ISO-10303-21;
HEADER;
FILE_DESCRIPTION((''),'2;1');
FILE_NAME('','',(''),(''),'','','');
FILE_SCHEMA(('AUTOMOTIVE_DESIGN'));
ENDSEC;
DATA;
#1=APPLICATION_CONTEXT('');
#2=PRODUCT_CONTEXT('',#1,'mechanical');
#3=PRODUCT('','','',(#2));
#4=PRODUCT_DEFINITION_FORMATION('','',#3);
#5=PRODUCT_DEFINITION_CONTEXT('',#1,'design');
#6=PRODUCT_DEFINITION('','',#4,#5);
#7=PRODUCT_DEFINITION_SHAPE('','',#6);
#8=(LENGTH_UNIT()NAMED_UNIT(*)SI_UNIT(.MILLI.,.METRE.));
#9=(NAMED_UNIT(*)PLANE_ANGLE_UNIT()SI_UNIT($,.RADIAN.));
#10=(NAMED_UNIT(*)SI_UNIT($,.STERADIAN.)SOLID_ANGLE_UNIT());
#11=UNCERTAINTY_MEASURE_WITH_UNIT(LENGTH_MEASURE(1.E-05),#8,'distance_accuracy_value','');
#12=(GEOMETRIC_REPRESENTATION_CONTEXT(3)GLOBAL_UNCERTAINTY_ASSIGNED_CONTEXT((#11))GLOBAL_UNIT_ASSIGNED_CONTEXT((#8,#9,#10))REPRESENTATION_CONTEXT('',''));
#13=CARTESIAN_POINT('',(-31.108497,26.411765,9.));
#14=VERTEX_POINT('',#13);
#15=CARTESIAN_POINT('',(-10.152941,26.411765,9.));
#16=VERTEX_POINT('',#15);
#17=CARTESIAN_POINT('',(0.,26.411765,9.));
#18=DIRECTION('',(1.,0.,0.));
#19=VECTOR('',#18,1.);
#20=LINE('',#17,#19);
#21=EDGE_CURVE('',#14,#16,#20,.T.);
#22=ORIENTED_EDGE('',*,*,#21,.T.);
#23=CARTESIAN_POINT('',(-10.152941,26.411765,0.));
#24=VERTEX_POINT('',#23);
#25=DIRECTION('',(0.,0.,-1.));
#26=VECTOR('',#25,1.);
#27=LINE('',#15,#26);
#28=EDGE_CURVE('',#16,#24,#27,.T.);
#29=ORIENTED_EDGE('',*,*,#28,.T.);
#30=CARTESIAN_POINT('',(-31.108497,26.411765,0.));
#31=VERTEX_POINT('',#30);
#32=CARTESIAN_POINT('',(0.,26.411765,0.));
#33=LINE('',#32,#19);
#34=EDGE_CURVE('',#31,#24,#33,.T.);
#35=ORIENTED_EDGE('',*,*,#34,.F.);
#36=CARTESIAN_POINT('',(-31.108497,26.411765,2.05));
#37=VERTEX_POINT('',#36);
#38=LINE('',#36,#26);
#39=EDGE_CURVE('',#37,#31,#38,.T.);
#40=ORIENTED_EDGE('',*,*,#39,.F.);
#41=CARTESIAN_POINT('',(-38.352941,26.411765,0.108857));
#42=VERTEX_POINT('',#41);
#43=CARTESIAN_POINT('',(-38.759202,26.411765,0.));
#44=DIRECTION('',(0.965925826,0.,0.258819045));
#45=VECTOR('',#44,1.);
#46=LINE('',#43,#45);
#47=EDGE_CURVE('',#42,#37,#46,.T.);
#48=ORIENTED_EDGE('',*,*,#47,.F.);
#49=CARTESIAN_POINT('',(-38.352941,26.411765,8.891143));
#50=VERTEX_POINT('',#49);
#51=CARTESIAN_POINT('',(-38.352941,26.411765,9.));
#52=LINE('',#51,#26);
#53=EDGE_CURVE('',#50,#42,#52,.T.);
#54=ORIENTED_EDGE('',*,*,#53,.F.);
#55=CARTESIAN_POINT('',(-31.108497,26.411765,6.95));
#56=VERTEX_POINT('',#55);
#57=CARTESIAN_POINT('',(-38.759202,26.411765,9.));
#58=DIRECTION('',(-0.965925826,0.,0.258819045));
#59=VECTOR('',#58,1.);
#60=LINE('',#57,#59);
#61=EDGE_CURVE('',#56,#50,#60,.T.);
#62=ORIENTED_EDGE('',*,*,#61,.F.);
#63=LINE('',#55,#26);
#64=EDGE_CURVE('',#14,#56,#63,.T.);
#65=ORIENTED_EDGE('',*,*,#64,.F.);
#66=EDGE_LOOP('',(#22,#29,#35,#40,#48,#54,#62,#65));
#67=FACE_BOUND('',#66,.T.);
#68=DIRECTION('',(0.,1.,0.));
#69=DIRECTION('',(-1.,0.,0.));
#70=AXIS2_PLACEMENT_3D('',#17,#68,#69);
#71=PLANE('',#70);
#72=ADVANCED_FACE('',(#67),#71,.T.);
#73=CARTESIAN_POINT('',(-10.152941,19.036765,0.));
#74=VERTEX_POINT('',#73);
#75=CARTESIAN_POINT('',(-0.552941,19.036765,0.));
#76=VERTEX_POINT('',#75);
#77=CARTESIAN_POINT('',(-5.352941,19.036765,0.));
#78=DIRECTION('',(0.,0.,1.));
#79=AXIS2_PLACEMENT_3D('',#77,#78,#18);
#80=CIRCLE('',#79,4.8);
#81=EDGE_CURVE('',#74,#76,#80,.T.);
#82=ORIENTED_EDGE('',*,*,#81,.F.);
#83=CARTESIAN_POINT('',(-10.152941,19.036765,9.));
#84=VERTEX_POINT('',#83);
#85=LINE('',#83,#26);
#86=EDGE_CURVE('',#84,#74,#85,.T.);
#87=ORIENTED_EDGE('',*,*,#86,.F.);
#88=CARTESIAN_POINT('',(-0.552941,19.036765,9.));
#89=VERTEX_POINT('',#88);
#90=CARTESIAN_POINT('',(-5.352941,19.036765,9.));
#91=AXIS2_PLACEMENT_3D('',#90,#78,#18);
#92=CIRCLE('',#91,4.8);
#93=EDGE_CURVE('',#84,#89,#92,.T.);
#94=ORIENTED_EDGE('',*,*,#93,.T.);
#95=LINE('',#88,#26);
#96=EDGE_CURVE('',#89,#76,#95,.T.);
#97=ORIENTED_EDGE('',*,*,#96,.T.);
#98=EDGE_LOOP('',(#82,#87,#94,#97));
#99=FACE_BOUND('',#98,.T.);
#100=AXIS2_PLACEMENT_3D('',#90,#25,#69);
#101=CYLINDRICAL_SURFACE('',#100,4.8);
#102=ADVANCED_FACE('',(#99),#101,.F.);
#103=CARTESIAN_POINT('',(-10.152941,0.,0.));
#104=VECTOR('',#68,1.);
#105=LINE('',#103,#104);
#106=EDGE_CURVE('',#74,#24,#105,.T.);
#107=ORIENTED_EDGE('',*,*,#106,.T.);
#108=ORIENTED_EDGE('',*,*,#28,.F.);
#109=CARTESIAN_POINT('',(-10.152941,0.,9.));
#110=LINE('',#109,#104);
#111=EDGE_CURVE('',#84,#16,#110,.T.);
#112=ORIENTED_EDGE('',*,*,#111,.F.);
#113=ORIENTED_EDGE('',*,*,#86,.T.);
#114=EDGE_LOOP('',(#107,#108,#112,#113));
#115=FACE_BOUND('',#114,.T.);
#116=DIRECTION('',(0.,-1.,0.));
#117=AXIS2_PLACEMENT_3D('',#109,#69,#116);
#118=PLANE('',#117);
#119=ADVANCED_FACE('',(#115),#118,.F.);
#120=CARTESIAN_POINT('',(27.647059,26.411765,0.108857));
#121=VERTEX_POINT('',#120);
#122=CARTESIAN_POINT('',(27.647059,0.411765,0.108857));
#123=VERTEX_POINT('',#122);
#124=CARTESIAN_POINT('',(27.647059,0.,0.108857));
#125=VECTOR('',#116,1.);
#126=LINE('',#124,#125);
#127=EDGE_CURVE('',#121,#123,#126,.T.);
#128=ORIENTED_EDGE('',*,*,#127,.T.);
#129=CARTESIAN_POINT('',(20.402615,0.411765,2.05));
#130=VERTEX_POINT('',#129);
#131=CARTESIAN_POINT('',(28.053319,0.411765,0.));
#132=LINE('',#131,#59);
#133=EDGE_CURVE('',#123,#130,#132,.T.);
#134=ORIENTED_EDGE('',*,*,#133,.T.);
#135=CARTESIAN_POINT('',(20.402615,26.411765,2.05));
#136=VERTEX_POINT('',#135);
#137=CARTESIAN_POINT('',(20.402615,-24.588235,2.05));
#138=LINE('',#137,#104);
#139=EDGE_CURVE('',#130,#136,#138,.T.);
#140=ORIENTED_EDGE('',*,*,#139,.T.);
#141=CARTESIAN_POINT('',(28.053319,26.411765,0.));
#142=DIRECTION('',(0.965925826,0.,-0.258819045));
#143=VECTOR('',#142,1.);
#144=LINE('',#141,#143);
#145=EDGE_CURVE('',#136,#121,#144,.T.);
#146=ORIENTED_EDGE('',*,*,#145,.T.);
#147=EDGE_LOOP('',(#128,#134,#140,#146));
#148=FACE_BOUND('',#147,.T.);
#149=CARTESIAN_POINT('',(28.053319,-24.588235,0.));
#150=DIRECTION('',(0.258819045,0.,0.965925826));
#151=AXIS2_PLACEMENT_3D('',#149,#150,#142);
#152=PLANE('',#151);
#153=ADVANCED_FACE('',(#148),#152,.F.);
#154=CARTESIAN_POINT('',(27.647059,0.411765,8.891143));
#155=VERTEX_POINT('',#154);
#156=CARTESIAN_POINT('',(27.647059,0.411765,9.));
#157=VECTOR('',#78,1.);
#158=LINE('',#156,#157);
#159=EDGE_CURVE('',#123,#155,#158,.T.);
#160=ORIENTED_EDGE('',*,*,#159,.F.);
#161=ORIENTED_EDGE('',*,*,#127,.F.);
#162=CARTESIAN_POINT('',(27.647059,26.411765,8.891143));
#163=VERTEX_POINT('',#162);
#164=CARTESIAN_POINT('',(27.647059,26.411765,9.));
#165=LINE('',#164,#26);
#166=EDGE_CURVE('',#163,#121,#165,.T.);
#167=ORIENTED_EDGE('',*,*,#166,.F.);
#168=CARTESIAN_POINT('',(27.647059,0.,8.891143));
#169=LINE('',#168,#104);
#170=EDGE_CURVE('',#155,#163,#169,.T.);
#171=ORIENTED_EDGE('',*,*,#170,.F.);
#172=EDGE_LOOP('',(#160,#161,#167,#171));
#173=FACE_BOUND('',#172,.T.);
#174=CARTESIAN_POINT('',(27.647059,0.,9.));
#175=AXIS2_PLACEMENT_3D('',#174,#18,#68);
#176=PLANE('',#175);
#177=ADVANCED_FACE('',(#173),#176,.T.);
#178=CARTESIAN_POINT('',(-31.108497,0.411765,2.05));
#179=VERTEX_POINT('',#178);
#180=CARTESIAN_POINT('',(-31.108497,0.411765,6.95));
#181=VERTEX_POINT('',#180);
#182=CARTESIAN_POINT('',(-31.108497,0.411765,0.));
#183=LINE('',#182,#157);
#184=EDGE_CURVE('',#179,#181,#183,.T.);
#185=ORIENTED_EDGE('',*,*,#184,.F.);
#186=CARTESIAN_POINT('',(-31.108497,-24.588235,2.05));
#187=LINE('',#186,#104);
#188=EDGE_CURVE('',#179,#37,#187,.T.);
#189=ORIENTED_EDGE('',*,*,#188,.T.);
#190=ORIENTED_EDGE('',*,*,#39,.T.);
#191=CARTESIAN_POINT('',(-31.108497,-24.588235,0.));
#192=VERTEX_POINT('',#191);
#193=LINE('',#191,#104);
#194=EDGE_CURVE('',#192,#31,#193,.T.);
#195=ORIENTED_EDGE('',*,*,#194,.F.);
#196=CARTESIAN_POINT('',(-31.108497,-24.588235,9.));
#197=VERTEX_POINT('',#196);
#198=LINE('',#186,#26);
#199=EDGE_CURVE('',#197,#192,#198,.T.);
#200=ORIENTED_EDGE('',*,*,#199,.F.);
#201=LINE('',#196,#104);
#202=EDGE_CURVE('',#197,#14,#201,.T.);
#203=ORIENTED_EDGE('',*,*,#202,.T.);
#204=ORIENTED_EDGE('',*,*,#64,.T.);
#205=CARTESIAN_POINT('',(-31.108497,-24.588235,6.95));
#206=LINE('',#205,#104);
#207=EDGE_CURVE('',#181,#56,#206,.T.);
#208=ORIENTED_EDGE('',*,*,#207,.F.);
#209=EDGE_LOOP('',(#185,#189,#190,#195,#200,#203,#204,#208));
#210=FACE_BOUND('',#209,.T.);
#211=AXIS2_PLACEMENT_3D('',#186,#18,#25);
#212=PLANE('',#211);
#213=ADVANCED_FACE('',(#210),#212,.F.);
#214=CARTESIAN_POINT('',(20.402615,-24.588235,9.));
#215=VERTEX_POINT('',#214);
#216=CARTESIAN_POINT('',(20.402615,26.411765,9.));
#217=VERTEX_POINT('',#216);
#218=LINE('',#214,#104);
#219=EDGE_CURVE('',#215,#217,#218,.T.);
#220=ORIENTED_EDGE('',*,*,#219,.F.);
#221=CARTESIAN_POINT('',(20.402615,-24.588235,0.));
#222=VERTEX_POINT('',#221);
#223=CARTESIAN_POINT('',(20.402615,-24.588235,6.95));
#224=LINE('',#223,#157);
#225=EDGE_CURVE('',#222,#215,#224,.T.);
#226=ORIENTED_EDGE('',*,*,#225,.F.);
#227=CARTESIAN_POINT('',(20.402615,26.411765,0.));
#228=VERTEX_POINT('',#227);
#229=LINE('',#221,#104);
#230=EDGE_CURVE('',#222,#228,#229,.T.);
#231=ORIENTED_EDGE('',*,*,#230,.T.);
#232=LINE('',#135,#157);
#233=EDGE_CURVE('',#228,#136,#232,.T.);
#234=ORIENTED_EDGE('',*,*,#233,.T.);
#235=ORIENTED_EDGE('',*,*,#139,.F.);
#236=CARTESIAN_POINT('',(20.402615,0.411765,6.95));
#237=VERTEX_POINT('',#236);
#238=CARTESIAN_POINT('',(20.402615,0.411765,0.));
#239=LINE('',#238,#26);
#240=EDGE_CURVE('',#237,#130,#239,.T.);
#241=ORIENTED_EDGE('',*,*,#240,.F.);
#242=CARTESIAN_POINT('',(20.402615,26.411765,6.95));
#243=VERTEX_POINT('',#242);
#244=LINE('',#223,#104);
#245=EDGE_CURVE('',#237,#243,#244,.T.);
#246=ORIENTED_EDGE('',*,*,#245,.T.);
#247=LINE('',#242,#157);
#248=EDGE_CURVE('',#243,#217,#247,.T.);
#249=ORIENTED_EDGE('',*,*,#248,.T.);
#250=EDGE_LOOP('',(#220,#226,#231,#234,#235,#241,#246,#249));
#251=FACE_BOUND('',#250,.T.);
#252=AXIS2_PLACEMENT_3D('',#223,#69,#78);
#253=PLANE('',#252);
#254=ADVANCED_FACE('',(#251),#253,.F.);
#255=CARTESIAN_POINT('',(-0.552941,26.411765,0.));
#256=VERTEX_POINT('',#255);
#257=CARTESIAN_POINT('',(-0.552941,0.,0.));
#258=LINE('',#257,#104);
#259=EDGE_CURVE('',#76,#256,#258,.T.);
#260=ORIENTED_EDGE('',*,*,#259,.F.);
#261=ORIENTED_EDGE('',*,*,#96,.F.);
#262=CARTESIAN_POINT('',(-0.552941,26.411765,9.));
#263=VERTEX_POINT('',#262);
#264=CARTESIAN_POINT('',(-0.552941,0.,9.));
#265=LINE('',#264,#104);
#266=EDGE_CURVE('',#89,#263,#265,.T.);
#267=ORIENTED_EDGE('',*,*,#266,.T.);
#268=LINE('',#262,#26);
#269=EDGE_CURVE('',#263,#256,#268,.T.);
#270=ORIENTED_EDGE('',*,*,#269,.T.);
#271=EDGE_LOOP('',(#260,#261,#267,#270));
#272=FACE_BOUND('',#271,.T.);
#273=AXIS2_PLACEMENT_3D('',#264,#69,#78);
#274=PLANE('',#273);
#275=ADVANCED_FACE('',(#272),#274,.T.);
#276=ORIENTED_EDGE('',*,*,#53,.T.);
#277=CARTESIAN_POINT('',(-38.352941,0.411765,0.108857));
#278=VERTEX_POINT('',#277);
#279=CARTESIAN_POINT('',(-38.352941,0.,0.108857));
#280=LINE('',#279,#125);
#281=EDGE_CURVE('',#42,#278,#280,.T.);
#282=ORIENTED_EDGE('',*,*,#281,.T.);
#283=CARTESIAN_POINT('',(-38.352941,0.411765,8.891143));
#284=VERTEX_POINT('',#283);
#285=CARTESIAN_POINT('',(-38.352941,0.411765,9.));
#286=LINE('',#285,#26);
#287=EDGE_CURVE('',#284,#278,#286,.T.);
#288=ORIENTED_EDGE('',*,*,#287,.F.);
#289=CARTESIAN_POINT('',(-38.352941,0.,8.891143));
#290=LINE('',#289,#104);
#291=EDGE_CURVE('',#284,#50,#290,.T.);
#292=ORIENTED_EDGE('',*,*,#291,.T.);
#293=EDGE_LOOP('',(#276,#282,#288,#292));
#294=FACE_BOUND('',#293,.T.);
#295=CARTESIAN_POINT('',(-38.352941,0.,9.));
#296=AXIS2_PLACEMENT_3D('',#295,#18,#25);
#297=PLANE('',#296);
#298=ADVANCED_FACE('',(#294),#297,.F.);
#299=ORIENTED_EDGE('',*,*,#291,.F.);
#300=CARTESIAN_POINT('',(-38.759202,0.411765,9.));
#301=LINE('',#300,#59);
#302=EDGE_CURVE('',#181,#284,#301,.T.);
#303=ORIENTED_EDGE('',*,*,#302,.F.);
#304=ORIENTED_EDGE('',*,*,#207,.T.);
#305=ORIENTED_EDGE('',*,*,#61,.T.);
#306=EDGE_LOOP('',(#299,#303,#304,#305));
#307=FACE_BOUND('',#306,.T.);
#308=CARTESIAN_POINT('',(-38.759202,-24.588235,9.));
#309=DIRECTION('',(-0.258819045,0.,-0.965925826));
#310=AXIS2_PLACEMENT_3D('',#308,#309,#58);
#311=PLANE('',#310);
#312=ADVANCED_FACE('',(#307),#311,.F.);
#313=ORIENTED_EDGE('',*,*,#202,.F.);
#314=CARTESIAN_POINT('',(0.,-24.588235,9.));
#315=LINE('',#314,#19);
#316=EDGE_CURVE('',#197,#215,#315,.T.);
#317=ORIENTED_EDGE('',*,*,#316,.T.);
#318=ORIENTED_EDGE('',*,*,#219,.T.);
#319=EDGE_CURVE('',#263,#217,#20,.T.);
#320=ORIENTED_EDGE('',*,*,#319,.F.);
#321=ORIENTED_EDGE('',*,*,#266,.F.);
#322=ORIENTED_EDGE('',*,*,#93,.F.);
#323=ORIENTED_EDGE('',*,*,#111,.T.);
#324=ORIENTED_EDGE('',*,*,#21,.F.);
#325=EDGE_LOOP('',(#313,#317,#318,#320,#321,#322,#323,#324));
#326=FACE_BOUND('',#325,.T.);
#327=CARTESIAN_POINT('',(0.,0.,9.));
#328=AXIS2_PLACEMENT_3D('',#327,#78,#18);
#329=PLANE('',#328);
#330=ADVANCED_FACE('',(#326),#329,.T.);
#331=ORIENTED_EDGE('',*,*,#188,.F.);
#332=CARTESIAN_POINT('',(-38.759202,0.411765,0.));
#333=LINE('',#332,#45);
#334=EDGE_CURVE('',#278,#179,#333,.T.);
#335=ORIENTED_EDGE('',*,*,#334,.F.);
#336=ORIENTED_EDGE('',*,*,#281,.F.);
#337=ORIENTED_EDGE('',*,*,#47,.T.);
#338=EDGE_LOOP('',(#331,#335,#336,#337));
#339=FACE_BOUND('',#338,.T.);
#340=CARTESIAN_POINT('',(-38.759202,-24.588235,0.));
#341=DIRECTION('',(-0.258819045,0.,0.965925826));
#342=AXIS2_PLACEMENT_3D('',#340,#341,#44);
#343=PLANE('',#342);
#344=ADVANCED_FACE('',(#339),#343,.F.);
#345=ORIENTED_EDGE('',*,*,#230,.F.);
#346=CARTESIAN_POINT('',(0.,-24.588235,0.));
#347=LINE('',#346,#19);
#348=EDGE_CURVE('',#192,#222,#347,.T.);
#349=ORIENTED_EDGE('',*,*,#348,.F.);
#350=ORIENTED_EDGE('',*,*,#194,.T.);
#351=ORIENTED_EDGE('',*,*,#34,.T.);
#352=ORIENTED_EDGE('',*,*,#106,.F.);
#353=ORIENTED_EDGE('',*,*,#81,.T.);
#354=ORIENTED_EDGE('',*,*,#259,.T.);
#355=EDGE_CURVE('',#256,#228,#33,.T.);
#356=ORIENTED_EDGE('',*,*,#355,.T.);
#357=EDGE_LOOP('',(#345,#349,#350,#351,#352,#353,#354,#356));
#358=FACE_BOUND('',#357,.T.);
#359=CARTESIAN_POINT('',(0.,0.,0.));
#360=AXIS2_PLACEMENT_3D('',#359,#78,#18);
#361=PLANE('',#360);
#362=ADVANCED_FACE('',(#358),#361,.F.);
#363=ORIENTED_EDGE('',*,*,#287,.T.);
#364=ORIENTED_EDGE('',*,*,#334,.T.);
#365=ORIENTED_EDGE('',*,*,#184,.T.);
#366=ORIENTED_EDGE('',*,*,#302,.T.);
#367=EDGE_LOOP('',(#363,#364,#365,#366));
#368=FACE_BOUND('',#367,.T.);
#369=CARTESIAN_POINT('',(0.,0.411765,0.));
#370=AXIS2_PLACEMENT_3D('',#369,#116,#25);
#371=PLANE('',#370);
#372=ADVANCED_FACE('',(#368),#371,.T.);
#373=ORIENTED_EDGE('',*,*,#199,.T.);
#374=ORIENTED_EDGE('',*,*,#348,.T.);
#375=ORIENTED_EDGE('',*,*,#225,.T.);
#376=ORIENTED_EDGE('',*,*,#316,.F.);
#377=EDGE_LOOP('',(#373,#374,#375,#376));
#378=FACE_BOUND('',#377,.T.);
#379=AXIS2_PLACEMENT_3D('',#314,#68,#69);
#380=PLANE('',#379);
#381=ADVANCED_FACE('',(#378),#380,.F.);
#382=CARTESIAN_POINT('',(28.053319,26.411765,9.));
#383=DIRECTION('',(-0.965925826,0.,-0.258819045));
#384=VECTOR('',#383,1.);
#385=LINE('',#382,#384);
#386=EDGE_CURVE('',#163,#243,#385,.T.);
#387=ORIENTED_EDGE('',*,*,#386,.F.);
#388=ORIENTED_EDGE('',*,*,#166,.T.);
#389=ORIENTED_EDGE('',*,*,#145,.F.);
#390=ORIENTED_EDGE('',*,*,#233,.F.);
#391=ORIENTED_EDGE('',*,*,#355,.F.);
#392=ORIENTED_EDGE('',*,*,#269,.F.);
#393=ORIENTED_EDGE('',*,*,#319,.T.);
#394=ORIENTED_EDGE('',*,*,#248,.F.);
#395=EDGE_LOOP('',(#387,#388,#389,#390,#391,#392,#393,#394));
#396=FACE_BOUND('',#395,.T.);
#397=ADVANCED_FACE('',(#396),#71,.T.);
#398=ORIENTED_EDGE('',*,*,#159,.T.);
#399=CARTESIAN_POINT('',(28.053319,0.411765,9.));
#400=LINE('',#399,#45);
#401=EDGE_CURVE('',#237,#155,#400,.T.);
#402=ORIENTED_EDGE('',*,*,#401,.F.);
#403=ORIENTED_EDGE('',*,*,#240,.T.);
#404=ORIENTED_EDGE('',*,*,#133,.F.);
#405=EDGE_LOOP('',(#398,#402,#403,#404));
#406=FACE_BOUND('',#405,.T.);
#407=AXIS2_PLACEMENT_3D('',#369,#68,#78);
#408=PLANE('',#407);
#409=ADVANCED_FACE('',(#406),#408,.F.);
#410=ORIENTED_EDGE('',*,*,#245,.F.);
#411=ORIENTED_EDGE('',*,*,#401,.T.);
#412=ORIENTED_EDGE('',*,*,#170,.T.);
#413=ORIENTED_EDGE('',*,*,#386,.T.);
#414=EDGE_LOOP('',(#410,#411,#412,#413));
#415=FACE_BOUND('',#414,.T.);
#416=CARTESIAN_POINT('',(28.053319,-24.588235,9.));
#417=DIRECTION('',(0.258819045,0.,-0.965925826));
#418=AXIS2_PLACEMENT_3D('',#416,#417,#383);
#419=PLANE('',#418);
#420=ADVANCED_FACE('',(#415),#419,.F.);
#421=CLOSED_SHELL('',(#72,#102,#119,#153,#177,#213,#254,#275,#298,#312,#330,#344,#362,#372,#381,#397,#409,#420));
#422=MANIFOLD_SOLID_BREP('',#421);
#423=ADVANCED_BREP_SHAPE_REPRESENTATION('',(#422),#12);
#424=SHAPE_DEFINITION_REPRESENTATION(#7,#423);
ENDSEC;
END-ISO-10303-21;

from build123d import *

# Parameters (mm, degrees)
BOSS_EXTRUDE1_DEPTH = 9
CUT_EXTRUDE1_DEPTH  = 52
SKETCH4_W           = 7.545775994
SKETCH4_H           = 9.202794467
SKETCH4_W_2         = 8.134906164
CUT_EXTRUDE2_DEPTH  = 25


with BuildPart() as part:
    # Sketch2 → Boss-Extrude1 (new body)
    with BuildSketch(Plane.XY):
        with BuildLine():
            Line((-10.152941176, 19.036764706), (-10.152941176, 26.411764706))
            Line((-10.152941176, 26.411764706), (-38.352941176, 26.411764706))
            Line((-38.352941176, 26.411764706), (-38.352941176, -24.588235294))
            Line((-38.352941176, -24.588235294), (27.647058824, -24.588235294))
            Line((27.647058824, -24.588235294), (27.647058824, 26.411764706))
            Line((27.647058824, 26.411764706), (-0.552941176, 26.411764706))
            Line((-0.552941176, 26.411764706), (-0.552941176, 19.036764706))
            ThreePointArc((-0.552941176, 19.036764706), (-5.352941176, 14.236764706), (-10.152941176, 19.036764706))
        make_face()
    extrude(amount=BOSS_EXTRUDE1_DEPTH)

    # Sketch3 → Cut-Extrude1 (cut, through all)
    with BuildSketch(Plane(origin=(0, 26.411764706, 0), x_dir=(1, 0, 0), z_dir=(0, 1, 0))):
        Polygon((28.053319282, 0), (20.402615126, -2.05), (20.402615126, 0), align=None)
        Polygon((28.053319282, -9), (20.402615126, -6.95), (20.402615126, -9), align=None)
        Polygon((-38.759201635, 0), (-31.108497479, -2.05), (-31.108497479, 0), align=None)
        Polygon((-38.759201635, -9), (-31.108497479, -6.95), (-31.108497479, -9), align=None)
    extrude(amount=-CUT_EXTRUDE1_DEPTH, mode=Mode.SUBTRACT)

    # Sketch4 → Cut-Extrude2 (cut)
    with BuildSketch(Plane.XZ.offset(24.588235294)):
        with Locations((-34.881385476, 4.601397234)):
            Rectangle(SKETCH4_W, SKETCH4_H)
        with Locations((24.470068208, 4.601397234)):
            Rectangle(SKETCH4_W_2, SKETCH4_H)
    extrude(amount=-CUT_EXTRUDE2_DEPTH, mode=Mode.SUBTRACT)


solid = part.part
